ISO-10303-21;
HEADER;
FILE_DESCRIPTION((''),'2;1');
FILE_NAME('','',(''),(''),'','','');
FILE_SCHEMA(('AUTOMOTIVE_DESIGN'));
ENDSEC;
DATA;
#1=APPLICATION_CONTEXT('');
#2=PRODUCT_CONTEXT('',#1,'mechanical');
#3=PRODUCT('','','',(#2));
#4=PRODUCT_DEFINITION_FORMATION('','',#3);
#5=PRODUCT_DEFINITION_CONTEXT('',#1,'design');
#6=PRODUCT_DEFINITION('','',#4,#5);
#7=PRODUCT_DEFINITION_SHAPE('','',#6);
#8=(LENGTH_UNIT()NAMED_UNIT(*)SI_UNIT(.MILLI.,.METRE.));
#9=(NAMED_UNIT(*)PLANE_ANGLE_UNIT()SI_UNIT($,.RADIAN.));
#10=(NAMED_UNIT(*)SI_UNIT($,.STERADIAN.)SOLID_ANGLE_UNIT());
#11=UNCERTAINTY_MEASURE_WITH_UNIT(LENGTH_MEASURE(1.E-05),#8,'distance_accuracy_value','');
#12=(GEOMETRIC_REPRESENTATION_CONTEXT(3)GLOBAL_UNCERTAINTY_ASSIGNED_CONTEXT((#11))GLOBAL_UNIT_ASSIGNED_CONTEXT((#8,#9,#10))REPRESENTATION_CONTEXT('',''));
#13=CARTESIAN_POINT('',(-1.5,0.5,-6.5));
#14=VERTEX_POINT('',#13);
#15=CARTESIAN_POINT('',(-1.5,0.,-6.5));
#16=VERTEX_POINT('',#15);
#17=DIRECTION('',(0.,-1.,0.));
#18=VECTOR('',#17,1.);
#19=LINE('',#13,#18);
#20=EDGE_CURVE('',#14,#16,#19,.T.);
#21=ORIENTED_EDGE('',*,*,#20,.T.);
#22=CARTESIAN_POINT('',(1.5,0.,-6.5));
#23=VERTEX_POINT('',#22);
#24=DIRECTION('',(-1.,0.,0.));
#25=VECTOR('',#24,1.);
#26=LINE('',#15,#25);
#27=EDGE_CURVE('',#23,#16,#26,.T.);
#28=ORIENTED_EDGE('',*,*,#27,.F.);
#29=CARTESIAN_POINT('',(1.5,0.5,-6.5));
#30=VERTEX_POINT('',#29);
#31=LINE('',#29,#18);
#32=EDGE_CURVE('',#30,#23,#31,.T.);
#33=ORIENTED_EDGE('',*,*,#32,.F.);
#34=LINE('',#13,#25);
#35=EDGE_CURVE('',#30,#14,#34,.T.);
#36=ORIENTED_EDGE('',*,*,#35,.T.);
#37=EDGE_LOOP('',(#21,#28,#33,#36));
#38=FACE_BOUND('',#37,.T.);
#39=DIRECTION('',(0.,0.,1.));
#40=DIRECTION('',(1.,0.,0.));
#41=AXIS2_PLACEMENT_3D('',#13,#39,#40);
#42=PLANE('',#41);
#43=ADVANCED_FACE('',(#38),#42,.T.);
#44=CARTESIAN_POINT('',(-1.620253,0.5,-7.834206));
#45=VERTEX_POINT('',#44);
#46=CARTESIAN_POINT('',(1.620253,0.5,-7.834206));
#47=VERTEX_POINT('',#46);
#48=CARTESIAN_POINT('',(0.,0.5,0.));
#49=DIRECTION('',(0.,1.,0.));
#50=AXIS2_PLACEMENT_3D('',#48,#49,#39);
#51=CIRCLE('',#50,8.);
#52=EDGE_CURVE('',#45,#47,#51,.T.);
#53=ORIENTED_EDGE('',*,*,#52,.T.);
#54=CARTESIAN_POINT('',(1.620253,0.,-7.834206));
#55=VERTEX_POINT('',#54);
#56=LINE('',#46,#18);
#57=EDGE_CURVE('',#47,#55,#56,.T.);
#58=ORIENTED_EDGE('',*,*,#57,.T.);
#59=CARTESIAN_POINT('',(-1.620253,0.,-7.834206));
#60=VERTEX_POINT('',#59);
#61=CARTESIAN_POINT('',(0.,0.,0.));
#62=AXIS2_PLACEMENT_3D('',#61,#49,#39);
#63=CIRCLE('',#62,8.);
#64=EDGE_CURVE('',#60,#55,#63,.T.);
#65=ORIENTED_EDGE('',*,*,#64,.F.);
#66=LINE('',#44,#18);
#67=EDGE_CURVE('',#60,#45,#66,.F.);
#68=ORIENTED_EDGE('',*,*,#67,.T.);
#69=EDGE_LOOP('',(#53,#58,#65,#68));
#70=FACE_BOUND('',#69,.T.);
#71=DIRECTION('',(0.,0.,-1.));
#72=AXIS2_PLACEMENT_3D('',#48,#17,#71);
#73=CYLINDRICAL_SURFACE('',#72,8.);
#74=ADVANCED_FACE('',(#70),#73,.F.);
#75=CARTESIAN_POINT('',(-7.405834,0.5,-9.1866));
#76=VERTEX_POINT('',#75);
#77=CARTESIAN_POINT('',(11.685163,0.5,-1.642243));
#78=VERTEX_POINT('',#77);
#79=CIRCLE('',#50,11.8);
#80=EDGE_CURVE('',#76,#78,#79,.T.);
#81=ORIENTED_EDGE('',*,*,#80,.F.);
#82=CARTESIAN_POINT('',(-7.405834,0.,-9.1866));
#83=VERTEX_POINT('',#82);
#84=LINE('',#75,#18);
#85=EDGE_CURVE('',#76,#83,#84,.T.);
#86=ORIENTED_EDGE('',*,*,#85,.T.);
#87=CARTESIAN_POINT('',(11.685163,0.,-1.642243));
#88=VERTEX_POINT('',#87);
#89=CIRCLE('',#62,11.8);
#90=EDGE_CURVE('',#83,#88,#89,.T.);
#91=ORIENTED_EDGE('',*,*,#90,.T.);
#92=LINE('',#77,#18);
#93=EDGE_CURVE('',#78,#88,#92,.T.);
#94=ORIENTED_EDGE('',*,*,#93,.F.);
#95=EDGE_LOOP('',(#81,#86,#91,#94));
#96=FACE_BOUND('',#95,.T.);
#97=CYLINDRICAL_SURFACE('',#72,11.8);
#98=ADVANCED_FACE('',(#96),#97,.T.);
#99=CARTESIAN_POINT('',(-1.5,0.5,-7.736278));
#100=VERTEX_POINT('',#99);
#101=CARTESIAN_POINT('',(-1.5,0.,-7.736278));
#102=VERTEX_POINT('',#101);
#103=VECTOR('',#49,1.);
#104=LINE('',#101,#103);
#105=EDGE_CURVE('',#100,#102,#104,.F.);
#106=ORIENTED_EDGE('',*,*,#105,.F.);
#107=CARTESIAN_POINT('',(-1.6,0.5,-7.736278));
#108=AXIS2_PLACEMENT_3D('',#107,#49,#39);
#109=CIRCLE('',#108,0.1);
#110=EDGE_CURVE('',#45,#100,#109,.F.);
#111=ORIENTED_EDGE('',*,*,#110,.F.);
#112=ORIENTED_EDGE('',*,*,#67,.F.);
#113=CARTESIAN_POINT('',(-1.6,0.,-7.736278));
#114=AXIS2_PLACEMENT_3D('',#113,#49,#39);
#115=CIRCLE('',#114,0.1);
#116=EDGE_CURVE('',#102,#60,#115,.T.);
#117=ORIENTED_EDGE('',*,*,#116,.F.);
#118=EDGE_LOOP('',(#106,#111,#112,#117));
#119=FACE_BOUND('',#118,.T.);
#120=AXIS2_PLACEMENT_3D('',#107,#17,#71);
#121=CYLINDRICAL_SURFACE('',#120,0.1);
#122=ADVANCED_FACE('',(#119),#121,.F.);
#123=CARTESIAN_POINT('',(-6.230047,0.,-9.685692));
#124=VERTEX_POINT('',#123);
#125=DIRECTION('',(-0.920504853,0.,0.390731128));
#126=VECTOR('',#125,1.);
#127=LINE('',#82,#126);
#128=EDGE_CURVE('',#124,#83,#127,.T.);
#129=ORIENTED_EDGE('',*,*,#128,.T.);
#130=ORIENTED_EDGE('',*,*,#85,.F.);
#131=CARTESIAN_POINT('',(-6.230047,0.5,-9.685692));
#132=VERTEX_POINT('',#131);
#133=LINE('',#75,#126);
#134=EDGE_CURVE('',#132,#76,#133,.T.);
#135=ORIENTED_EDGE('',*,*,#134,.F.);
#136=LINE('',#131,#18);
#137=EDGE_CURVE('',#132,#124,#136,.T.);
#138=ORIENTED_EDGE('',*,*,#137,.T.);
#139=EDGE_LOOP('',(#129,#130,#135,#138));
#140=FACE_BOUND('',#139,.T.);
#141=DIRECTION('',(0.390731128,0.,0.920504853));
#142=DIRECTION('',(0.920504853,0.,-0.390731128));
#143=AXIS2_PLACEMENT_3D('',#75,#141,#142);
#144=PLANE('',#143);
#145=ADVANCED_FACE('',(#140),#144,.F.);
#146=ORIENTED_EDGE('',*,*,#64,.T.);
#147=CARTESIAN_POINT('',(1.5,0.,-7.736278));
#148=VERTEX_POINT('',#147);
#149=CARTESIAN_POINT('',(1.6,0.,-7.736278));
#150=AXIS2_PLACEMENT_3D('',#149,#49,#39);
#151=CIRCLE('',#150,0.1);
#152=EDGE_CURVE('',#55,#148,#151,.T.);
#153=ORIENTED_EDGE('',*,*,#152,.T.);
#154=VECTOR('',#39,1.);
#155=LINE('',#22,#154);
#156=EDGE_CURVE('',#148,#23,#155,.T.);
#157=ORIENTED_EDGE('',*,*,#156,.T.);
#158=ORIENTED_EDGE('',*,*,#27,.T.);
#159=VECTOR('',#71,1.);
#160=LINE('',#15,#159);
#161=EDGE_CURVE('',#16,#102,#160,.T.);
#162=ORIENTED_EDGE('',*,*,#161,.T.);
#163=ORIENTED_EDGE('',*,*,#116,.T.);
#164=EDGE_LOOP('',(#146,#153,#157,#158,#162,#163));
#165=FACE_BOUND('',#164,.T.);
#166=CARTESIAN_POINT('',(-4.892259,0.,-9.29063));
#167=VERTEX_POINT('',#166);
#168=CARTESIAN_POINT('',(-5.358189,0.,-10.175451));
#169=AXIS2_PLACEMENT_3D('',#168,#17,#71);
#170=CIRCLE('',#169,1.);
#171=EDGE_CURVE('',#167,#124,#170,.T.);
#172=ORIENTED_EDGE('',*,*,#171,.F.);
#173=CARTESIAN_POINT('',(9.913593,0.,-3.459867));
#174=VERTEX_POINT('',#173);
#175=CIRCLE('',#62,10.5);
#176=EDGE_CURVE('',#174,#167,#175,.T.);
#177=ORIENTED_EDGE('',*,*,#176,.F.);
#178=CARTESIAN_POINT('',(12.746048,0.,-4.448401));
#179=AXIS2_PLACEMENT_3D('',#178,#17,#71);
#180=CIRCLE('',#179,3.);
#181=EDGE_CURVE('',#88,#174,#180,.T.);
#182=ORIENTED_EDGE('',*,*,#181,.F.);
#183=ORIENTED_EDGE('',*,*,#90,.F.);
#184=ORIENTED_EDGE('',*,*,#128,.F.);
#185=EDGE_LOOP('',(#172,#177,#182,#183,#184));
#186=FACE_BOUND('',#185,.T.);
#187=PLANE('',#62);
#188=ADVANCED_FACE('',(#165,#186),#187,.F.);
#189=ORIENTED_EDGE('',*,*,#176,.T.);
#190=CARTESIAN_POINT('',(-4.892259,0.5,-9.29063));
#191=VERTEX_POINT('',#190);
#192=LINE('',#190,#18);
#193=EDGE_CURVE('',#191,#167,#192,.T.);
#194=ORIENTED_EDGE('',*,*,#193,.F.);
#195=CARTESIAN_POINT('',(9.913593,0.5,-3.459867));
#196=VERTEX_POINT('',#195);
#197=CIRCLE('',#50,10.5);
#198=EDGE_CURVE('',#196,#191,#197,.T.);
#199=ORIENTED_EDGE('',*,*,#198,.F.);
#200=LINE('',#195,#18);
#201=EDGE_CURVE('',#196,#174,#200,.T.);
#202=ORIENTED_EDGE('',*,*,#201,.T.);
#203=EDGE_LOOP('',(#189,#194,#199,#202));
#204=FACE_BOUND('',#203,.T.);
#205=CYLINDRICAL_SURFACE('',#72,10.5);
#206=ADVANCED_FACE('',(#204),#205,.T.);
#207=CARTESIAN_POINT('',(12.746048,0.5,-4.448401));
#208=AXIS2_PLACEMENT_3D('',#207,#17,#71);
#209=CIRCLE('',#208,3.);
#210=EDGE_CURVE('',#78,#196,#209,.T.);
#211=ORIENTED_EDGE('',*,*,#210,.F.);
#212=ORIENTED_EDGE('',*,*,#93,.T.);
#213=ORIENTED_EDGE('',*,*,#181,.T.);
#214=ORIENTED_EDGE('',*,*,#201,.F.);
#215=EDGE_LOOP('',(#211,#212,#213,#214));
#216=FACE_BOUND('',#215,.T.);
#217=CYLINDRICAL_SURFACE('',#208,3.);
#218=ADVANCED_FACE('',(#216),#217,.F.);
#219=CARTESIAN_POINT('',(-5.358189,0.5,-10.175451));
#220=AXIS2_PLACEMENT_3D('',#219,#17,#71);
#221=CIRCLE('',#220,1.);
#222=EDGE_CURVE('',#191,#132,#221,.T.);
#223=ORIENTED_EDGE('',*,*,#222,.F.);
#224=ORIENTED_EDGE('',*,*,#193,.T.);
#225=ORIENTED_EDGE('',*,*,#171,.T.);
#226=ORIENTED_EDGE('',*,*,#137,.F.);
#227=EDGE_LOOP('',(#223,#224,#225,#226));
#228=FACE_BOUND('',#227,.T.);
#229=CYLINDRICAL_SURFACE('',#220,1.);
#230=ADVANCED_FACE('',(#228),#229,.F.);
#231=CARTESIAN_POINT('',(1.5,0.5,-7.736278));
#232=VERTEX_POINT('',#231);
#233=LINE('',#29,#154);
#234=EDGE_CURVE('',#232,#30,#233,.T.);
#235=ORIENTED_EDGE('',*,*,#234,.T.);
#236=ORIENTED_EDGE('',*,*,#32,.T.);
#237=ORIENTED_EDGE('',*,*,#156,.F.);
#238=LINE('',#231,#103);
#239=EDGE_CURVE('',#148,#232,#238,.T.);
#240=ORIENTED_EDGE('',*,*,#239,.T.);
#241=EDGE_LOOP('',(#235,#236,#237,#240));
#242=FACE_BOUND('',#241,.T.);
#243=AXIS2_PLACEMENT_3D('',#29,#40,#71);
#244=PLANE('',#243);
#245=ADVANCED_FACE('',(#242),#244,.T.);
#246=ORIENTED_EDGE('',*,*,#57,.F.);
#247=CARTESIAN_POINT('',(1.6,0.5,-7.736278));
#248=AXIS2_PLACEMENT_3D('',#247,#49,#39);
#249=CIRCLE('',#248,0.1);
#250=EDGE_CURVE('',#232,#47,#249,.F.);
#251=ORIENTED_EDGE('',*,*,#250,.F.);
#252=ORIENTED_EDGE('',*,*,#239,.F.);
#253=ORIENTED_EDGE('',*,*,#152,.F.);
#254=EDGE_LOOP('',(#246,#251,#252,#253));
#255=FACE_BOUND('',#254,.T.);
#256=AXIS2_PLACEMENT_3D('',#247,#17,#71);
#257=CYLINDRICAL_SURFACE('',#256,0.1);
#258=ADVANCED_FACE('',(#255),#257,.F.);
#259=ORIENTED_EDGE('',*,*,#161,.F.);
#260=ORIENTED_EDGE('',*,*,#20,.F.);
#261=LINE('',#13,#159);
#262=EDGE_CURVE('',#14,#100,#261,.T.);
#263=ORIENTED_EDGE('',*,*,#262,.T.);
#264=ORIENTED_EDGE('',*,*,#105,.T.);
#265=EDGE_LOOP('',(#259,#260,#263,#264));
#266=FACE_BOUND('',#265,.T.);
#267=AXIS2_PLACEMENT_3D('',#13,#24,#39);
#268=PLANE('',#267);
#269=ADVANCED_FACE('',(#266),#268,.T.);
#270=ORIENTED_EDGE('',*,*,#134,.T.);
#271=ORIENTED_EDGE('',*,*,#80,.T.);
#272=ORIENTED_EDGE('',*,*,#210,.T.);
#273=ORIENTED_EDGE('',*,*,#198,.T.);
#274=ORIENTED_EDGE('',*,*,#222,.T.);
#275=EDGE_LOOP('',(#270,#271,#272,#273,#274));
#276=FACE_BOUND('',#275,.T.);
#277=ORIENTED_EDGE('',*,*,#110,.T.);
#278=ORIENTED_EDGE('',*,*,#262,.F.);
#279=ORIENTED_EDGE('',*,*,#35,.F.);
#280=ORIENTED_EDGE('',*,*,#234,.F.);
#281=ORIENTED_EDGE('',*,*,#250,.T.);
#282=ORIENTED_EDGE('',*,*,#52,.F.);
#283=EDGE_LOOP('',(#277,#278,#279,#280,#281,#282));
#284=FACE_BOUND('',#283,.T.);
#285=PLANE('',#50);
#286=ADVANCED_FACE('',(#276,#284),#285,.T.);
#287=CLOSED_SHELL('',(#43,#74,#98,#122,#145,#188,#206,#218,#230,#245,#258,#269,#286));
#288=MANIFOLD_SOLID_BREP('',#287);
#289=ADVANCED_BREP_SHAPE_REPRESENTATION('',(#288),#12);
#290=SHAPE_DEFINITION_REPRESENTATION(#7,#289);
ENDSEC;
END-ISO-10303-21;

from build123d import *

# Parameters (mm, degrees)
BOSS_EXTRUDE1_DEPTH = 0.5
FILLET1_R           = 0.1


with BuildPart() as part:
    # Sketch1 → Boss-Extrude1 (new body)
    with BuildSketch(Plane(origin=(0, 0, 0), x_dir=(1, 0, 0), z_dir=(0, 1, 0))):
        with BuildLine():
            Line((-7.405833782, 9.18660035), (-6.230046676, 9.685692366))
            ThreePointArc((-6.230046676, 9.685692366), (-5.641408049, 9.216396236), (-4.892259398, 9.29062958))
            ThreePointArc((-4.892259398, 9.29062958), (3.847452899, 9.769703485), (9.913592586, 3.459867344))
            ThreePointArc((9.913592586, 3.459867344), (10.597684768, 2.354472244), (11.685163211, 1.642242591))
            ThreePointArc((11.685163211, 1.642242591), (2.904608858, -11.436924735), (-11.052731833, -4.132447099))
            ThreePointArc((-11.052731833, -4.132447099), (-11.381077163, 3.116261), (-7.405833782, 9.18660035))
        make_face()
        with BuildLine():
            Line((-1.5, 6.5), (1.5, 6.5))
            Line((1.5, 6.5), (1.5, 7.858116823))
            ThreePointArc((1.5, 7.858116823), (0, -8), (-1.5, 7.858116823))
            Line((-1.5, 7.858116823), (-1.5, 6.5))
        make_face(mode=Mode.SUBTRACT)
    extrude(amount=BOSS_EXTRUDE1_DEPTH)

    # Fillet1
    fillet1_edges = [part.edges().sort_by_distance(p)[0] for p in [
        (-1.5, 0.25, -7.858116823),
        (1.5, 0.25, -7.858116823),
    ]]
    fillet(fillet1_edges, radius=FILLET1_R)


solid = part.part
